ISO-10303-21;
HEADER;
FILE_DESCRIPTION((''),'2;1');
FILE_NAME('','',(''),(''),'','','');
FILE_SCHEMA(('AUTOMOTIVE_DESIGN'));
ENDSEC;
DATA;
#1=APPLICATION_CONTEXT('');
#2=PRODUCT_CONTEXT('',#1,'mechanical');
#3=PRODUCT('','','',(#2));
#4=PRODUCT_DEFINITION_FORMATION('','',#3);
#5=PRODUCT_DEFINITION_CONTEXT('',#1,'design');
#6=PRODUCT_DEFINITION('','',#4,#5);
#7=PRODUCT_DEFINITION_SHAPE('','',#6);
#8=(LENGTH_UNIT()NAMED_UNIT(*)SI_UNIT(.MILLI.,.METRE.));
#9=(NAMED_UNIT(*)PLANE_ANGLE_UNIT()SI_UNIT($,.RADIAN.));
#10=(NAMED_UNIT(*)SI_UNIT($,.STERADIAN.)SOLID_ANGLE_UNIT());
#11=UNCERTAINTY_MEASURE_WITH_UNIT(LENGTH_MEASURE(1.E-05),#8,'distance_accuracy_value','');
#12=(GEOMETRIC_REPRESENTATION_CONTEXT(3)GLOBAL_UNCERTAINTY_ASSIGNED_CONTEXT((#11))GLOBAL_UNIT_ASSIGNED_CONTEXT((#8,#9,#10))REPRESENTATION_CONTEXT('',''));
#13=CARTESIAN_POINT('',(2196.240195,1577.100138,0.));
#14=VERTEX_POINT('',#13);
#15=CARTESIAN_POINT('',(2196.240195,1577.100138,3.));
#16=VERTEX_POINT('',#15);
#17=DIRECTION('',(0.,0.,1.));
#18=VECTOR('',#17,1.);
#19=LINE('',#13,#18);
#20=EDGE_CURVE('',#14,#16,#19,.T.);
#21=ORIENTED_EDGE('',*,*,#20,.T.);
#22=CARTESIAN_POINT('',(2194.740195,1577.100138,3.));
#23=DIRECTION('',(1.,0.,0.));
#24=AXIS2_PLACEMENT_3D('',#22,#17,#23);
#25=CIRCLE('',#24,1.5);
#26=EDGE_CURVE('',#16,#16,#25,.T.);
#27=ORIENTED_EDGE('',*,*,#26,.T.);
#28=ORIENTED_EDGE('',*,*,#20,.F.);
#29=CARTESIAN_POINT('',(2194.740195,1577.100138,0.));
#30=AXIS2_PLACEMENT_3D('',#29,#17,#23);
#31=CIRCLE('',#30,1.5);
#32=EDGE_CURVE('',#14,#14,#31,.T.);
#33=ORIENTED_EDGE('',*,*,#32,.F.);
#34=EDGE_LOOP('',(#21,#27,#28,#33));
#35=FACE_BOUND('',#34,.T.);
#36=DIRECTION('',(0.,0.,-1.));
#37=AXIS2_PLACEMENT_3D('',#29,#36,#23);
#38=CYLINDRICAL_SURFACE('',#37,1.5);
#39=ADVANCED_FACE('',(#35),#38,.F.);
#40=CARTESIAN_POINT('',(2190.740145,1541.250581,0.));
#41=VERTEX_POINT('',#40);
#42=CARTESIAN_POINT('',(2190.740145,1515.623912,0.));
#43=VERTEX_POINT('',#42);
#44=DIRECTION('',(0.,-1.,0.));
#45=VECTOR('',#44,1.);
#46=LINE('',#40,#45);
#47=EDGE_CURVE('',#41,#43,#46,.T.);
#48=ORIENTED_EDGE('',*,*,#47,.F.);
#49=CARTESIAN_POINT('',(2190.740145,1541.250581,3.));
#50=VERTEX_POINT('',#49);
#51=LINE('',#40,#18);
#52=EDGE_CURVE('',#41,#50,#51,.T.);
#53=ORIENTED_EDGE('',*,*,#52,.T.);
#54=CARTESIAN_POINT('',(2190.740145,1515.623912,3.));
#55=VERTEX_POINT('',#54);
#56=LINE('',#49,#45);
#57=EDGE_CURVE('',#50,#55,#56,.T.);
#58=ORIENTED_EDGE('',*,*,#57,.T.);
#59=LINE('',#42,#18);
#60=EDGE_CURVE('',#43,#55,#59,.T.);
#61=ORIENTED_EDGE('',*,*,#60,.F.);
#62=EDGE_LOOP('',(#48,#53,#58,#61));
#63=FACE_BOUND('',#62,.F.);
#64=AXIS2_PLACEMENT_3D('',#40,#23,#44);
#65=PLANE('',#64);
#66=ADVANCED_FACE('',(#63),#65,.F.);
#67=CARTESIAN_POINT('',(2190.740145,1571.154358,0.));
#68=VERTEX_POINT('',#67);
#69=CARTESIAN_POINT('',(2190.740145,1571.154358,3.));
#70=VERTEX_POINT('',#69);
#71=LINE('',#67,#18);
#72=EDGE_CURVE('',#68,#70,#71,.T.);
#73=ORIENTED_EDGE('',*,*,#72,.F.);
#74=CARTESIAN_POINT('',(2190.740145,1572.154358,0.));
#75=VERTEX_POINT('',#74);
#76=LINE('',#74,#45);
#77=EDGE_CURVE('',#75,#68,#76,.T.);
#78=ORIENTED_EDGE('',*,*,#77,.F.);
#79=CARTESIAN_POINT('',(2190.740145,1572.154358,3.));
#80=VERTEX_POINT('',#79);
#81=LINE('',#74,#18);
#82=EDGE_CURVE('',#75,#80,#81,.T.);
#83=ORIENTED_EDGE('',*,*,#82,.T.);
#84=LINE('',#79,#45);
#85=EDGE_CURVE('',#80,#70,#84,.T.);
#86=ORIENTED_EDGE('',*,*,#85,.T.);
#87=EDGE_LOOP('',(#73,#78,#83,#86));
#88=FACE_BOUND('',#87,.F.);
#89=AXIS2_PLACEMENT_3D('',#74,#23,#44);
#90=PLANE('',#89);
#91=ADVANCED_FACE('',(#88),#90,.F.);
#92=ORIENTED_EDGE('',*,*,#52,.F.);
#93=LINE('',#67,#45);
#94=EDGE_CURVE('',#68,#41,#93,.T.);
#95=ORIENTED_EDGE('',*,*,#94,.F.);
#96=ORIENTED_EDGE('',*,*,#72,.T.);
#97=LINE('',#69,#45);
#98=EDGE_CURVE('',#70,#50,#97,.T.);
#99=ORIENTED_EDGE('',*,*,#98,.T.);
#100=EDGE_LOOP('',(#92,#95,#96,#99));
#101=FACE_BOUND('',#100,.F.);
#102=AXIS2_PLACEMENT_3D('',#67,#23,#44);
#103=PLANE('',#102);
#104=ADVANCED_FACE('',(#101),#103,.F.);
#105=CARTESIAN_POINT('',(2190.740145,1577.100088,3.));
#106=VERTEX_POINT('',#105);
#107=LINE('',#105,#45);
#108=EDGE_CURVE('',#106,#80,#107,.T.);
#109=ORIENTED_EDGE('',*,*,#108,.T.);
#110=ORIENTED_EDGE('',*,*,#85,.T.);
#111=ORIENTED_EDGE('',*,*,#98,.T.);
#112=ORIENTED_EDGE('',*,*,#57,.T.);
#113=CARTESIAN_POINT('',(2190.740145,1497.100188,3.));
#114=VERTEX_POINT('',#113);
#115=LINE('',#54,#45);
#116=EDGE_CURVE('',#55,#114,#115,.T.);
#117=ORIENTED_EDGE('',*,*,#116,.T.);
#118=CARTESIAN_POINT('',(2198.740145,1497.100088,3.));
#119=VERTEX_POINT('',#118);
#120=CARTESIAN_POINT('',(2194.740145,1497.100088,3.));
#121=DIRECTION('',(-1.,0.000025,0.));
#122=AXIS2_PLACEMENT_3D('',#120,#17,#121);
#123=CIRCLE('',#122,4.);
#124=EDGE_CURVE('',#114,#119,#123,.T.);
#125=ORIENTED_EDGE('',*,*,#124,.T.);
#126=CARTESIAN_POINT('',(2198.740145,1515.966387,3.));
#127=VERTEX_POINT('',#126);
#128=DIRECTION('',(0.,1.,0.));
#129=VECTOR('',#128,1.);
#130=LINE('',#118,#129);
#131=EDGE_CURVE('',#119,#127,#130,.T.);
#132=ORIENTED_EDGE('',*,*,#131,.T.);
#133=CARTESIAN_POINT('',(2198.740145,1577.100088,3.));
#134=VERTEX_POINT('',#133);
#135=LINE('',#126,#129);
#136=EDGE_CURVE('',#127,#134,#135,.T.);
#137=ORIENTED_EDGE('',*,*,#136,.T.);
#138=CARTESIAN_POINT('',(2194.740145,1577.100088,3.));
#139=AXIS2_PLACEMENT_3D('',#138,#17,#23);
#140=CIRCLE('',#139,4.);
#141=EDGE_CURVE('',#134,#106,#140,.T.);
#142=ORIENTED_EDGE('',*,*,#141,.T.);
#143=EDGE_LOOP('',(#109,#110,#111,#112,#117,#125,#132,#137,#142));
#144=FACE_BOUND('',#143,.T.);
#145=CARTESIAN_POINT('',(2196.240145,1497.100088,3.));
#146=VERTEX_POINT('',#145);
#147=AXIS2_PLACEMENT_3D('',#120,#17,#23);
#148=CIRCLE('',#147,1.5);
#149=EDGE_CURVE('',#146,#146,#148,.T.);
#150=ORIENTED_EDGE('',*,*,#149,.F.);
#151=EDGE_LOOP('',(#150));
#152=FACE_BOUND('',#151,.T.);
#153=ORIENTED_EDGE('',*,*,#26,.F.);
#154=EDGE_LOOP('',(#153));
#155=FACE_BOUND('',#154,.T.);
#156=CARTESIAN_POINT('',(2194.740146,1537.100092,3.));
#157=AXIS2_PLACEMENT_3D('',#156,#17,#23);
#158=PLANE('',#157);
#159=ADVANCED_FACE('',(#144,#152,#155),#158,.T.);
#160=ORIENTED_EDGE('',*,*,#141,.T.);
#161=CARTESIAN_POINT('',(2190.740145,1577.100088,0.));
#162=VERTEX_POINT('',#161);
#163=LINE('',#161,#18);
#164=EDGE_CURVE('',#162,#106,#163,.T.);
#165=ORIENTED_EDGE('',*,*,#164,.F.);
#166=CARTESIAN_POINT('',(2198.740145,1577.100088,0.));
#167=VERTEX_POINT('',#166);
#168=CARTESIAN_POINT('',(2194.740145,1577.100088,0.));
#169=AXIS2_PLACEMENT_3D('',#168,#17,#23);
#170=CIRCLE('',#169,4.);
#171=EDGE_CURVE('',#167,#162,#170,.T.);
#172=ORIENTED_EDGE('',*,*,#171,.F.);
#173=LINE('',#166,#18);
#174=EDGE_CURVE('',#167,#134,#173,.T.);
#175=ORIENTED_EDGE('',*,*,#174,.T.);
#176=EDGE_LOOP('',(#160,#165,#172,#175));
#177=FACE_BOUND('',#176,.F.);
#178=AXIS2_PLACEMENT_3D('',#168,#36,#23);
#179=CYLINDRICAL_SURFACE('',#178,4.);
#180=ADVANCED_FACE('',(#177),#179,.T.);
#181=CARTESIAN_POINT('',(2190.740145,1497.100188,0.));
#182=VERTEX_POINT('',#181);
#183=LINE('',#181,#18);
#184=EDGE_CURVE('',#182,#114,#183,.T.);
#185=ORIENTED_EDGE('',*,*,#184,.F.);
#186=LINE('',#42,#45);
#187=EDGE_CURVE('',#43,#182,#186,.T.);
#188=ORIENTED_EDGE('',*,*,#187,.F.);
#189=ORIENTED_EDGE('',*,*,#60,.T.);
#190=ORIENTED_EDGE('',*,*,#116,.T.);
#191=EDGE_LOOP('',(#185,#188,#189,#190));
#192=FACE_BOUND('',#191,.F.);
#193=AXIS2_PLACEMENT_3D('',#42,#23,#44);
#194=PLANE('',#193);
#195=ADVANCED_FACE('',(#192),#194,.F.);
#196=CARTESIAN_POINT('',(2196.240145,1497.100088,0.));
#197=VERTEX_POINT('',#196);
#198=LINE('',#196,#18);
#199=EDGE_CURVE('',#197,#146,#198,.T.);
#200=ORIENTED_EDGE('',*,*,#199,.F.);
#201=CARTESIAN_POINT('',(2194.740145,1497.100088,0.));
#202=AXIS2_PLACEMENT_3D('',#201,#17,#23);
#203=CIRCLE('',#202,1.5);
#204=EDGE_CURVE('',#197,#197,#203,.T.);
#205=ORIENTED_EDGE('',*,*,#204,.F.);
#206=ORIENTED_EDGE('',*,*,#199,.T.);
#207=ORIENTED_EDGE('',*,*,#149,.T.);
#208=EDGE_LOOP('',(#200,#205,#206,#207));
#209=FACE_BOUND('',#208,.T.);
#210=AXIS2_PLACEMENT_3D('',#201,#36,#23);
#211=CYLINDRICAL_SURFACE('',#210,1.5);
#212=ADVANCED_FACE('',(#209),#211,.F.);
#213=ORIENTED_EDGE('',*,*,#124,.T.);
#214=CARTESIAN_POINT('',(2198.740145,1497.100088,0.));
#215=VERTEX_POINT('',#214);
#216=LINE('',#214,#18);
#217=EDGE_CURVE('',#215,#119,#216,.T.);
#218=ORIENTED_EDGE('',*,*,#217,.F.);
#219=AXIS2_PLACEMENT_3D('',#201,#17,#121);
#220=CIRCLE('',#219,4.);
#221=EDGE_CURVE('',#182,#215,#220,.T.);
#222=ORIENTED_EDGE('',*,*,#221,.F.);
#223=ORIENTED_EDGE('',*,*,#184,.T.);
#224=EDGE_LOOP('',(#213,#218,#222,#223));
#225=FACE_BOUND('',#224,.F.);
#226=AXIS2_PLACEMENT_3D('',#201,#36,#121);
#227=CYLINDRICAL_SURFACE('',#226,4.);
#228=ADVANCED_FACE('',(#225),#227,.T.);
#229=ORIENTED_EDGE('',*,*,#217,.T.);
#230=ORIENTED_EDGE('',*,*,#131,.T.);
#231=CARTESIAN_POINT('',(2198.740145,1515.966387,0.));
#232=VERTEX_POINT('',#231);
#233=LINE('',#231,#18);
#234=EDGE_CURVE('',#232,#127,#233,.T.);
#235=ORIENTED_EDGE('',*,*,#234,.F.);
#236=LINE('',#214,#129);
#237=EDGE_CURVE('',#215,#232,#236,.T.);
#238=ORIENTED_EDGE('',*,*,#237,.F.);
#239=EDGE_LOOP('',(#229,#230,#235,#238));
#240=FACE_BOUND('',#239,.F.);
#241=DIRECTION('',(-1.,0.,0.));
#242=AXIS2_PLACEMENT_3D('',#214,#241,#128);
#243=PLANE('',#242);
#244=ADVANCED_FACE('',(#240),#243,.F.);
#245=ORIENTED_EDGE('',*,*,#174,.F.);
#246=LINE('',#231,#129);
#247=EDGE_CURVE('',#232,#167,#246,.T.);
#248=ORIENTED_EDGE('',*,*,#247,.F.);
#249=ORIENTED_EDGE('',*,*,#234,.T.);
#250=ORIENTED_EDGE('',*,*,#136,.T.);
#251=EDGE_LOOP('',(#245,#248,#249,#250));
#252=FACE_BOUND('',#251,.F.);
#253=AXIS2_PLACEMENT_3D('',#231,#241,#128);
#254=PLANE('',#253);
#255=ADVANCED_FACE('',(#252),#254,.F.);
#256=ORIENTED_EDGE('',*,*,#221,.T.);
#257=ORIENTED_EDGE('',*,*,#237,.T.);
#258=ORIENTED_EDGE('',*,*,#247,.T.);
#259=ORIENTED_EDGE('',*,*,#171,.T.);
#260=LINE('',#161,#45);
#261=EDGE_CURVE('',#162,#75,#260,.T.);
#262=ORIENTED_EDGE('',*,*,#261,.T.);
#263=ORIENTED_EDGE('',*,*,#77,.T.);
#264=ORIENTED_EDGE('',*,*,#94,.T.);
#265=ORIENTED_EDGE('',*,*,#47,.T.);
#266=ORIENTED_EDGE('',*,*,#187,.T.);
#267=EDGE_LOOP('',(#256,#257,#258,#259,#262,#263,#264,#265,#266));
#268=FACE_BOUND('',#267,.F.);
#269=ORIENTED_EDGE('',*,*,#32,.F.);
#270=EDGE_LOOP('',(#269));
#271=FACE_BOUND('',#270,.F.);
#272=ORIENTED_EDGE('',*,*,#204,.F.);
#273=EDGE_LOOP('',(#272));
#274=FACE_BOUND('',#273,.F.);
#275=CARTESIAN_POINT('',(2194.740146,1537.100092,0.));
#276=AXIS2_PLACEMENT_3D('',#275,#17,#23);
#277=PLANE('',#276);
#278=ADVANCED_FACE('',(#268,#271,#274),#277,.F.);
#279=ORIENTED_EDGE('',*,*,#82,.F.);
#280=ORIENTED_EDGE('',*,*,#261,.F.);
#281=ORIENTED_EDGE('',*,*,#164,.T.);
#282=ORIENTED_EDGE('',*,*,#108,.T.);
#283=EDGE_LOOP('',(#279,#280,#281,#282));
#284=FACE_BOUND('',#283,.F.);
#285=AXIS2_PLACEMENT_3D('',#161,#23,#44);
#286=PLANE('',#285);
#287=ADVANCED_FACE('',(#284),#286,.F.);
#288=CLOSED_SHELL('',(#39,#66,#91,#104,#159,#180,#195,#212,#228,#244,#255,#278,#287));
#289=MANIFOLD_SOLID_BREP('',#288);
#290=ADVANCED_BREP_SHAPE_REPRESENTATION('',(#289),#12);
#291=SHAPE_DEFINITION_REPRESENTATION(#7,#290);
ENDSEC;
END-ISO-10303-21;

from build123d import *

# Parameters (mm, degrees)
SKETCH_2_R      = 1.5
EXTRUDE_1_DEPTH = 3


with BuildPart() as part:
    # 草圖2 → 填料-伸長1 (new body)
    with BuildSketch(Plane.XY):
        with BuildLine():
            Line((2198.740145456, 1572.08621907), (2198.740145456, 1577.10008841))
            ThreePointArc((2198.740145456, 1577.10008841), (2194.740145456, 1581.10008841), (2190.740145456, 1577.10008841))
            Line((2190.740145456, 1577.10008841), (2190.740145457, 1572.15435767))
            Line((2190.740145457, 1572.15435767), (2190.740145457, 1571.15435767))
            Line((2190.740145457, 1571.15435767), (2190.740145456, 1541.250580548))
            Line((2190.740145456, 1541.250580548), (2190.740145456, 1540.250580548))
            Line((2190.740145456, 1540.250580548), (2190.740145456, 1516.623912375))
            Line((2190.740145456, 1516.623912375), (2190.740145456, 1515.623912375))
            Line((2190.740145456, 1515.623912375), (2190.740145455, 1497.10018841))
            ThreePointArc((2190.740145455, 1497.10018841), (2194.740095455, 1493.100088408), (2198.740145455, 1497.100088412))
            Line((2198.740145455, 1497.100088412), (2198.740145456, 1515.966387039))
            Line((2198.740145456, 1515.966387039), (2198.740145456, 1516.966387039))
            Line((2198.740145456, 1516.966387039), (2198.740145456, 1541.60008841))
            Line((2198.740145456, 1541.60008841), (2198.740145456, 1542.60008841))
            Line((2198.740145456, 1542.60008841), (2198.740145456, 1571.08621907))
            Line((2198.740145456, 1571.08621907), (2198.740145456, 1572.08621907))
        make_face()
        with Locations((2194.740145455, 1497.100088409)):
            Circle(SKETCH_2_R, mode=Mode.SUBTRACT)
        with Locations((2194.740195453, 1577.100138407)):
            Circle(SKETCH_2_R, mode=Mode.SUBTRACT)
    extrude(amount=EXTRUDE_1_DEPTH)


solid = part.part
